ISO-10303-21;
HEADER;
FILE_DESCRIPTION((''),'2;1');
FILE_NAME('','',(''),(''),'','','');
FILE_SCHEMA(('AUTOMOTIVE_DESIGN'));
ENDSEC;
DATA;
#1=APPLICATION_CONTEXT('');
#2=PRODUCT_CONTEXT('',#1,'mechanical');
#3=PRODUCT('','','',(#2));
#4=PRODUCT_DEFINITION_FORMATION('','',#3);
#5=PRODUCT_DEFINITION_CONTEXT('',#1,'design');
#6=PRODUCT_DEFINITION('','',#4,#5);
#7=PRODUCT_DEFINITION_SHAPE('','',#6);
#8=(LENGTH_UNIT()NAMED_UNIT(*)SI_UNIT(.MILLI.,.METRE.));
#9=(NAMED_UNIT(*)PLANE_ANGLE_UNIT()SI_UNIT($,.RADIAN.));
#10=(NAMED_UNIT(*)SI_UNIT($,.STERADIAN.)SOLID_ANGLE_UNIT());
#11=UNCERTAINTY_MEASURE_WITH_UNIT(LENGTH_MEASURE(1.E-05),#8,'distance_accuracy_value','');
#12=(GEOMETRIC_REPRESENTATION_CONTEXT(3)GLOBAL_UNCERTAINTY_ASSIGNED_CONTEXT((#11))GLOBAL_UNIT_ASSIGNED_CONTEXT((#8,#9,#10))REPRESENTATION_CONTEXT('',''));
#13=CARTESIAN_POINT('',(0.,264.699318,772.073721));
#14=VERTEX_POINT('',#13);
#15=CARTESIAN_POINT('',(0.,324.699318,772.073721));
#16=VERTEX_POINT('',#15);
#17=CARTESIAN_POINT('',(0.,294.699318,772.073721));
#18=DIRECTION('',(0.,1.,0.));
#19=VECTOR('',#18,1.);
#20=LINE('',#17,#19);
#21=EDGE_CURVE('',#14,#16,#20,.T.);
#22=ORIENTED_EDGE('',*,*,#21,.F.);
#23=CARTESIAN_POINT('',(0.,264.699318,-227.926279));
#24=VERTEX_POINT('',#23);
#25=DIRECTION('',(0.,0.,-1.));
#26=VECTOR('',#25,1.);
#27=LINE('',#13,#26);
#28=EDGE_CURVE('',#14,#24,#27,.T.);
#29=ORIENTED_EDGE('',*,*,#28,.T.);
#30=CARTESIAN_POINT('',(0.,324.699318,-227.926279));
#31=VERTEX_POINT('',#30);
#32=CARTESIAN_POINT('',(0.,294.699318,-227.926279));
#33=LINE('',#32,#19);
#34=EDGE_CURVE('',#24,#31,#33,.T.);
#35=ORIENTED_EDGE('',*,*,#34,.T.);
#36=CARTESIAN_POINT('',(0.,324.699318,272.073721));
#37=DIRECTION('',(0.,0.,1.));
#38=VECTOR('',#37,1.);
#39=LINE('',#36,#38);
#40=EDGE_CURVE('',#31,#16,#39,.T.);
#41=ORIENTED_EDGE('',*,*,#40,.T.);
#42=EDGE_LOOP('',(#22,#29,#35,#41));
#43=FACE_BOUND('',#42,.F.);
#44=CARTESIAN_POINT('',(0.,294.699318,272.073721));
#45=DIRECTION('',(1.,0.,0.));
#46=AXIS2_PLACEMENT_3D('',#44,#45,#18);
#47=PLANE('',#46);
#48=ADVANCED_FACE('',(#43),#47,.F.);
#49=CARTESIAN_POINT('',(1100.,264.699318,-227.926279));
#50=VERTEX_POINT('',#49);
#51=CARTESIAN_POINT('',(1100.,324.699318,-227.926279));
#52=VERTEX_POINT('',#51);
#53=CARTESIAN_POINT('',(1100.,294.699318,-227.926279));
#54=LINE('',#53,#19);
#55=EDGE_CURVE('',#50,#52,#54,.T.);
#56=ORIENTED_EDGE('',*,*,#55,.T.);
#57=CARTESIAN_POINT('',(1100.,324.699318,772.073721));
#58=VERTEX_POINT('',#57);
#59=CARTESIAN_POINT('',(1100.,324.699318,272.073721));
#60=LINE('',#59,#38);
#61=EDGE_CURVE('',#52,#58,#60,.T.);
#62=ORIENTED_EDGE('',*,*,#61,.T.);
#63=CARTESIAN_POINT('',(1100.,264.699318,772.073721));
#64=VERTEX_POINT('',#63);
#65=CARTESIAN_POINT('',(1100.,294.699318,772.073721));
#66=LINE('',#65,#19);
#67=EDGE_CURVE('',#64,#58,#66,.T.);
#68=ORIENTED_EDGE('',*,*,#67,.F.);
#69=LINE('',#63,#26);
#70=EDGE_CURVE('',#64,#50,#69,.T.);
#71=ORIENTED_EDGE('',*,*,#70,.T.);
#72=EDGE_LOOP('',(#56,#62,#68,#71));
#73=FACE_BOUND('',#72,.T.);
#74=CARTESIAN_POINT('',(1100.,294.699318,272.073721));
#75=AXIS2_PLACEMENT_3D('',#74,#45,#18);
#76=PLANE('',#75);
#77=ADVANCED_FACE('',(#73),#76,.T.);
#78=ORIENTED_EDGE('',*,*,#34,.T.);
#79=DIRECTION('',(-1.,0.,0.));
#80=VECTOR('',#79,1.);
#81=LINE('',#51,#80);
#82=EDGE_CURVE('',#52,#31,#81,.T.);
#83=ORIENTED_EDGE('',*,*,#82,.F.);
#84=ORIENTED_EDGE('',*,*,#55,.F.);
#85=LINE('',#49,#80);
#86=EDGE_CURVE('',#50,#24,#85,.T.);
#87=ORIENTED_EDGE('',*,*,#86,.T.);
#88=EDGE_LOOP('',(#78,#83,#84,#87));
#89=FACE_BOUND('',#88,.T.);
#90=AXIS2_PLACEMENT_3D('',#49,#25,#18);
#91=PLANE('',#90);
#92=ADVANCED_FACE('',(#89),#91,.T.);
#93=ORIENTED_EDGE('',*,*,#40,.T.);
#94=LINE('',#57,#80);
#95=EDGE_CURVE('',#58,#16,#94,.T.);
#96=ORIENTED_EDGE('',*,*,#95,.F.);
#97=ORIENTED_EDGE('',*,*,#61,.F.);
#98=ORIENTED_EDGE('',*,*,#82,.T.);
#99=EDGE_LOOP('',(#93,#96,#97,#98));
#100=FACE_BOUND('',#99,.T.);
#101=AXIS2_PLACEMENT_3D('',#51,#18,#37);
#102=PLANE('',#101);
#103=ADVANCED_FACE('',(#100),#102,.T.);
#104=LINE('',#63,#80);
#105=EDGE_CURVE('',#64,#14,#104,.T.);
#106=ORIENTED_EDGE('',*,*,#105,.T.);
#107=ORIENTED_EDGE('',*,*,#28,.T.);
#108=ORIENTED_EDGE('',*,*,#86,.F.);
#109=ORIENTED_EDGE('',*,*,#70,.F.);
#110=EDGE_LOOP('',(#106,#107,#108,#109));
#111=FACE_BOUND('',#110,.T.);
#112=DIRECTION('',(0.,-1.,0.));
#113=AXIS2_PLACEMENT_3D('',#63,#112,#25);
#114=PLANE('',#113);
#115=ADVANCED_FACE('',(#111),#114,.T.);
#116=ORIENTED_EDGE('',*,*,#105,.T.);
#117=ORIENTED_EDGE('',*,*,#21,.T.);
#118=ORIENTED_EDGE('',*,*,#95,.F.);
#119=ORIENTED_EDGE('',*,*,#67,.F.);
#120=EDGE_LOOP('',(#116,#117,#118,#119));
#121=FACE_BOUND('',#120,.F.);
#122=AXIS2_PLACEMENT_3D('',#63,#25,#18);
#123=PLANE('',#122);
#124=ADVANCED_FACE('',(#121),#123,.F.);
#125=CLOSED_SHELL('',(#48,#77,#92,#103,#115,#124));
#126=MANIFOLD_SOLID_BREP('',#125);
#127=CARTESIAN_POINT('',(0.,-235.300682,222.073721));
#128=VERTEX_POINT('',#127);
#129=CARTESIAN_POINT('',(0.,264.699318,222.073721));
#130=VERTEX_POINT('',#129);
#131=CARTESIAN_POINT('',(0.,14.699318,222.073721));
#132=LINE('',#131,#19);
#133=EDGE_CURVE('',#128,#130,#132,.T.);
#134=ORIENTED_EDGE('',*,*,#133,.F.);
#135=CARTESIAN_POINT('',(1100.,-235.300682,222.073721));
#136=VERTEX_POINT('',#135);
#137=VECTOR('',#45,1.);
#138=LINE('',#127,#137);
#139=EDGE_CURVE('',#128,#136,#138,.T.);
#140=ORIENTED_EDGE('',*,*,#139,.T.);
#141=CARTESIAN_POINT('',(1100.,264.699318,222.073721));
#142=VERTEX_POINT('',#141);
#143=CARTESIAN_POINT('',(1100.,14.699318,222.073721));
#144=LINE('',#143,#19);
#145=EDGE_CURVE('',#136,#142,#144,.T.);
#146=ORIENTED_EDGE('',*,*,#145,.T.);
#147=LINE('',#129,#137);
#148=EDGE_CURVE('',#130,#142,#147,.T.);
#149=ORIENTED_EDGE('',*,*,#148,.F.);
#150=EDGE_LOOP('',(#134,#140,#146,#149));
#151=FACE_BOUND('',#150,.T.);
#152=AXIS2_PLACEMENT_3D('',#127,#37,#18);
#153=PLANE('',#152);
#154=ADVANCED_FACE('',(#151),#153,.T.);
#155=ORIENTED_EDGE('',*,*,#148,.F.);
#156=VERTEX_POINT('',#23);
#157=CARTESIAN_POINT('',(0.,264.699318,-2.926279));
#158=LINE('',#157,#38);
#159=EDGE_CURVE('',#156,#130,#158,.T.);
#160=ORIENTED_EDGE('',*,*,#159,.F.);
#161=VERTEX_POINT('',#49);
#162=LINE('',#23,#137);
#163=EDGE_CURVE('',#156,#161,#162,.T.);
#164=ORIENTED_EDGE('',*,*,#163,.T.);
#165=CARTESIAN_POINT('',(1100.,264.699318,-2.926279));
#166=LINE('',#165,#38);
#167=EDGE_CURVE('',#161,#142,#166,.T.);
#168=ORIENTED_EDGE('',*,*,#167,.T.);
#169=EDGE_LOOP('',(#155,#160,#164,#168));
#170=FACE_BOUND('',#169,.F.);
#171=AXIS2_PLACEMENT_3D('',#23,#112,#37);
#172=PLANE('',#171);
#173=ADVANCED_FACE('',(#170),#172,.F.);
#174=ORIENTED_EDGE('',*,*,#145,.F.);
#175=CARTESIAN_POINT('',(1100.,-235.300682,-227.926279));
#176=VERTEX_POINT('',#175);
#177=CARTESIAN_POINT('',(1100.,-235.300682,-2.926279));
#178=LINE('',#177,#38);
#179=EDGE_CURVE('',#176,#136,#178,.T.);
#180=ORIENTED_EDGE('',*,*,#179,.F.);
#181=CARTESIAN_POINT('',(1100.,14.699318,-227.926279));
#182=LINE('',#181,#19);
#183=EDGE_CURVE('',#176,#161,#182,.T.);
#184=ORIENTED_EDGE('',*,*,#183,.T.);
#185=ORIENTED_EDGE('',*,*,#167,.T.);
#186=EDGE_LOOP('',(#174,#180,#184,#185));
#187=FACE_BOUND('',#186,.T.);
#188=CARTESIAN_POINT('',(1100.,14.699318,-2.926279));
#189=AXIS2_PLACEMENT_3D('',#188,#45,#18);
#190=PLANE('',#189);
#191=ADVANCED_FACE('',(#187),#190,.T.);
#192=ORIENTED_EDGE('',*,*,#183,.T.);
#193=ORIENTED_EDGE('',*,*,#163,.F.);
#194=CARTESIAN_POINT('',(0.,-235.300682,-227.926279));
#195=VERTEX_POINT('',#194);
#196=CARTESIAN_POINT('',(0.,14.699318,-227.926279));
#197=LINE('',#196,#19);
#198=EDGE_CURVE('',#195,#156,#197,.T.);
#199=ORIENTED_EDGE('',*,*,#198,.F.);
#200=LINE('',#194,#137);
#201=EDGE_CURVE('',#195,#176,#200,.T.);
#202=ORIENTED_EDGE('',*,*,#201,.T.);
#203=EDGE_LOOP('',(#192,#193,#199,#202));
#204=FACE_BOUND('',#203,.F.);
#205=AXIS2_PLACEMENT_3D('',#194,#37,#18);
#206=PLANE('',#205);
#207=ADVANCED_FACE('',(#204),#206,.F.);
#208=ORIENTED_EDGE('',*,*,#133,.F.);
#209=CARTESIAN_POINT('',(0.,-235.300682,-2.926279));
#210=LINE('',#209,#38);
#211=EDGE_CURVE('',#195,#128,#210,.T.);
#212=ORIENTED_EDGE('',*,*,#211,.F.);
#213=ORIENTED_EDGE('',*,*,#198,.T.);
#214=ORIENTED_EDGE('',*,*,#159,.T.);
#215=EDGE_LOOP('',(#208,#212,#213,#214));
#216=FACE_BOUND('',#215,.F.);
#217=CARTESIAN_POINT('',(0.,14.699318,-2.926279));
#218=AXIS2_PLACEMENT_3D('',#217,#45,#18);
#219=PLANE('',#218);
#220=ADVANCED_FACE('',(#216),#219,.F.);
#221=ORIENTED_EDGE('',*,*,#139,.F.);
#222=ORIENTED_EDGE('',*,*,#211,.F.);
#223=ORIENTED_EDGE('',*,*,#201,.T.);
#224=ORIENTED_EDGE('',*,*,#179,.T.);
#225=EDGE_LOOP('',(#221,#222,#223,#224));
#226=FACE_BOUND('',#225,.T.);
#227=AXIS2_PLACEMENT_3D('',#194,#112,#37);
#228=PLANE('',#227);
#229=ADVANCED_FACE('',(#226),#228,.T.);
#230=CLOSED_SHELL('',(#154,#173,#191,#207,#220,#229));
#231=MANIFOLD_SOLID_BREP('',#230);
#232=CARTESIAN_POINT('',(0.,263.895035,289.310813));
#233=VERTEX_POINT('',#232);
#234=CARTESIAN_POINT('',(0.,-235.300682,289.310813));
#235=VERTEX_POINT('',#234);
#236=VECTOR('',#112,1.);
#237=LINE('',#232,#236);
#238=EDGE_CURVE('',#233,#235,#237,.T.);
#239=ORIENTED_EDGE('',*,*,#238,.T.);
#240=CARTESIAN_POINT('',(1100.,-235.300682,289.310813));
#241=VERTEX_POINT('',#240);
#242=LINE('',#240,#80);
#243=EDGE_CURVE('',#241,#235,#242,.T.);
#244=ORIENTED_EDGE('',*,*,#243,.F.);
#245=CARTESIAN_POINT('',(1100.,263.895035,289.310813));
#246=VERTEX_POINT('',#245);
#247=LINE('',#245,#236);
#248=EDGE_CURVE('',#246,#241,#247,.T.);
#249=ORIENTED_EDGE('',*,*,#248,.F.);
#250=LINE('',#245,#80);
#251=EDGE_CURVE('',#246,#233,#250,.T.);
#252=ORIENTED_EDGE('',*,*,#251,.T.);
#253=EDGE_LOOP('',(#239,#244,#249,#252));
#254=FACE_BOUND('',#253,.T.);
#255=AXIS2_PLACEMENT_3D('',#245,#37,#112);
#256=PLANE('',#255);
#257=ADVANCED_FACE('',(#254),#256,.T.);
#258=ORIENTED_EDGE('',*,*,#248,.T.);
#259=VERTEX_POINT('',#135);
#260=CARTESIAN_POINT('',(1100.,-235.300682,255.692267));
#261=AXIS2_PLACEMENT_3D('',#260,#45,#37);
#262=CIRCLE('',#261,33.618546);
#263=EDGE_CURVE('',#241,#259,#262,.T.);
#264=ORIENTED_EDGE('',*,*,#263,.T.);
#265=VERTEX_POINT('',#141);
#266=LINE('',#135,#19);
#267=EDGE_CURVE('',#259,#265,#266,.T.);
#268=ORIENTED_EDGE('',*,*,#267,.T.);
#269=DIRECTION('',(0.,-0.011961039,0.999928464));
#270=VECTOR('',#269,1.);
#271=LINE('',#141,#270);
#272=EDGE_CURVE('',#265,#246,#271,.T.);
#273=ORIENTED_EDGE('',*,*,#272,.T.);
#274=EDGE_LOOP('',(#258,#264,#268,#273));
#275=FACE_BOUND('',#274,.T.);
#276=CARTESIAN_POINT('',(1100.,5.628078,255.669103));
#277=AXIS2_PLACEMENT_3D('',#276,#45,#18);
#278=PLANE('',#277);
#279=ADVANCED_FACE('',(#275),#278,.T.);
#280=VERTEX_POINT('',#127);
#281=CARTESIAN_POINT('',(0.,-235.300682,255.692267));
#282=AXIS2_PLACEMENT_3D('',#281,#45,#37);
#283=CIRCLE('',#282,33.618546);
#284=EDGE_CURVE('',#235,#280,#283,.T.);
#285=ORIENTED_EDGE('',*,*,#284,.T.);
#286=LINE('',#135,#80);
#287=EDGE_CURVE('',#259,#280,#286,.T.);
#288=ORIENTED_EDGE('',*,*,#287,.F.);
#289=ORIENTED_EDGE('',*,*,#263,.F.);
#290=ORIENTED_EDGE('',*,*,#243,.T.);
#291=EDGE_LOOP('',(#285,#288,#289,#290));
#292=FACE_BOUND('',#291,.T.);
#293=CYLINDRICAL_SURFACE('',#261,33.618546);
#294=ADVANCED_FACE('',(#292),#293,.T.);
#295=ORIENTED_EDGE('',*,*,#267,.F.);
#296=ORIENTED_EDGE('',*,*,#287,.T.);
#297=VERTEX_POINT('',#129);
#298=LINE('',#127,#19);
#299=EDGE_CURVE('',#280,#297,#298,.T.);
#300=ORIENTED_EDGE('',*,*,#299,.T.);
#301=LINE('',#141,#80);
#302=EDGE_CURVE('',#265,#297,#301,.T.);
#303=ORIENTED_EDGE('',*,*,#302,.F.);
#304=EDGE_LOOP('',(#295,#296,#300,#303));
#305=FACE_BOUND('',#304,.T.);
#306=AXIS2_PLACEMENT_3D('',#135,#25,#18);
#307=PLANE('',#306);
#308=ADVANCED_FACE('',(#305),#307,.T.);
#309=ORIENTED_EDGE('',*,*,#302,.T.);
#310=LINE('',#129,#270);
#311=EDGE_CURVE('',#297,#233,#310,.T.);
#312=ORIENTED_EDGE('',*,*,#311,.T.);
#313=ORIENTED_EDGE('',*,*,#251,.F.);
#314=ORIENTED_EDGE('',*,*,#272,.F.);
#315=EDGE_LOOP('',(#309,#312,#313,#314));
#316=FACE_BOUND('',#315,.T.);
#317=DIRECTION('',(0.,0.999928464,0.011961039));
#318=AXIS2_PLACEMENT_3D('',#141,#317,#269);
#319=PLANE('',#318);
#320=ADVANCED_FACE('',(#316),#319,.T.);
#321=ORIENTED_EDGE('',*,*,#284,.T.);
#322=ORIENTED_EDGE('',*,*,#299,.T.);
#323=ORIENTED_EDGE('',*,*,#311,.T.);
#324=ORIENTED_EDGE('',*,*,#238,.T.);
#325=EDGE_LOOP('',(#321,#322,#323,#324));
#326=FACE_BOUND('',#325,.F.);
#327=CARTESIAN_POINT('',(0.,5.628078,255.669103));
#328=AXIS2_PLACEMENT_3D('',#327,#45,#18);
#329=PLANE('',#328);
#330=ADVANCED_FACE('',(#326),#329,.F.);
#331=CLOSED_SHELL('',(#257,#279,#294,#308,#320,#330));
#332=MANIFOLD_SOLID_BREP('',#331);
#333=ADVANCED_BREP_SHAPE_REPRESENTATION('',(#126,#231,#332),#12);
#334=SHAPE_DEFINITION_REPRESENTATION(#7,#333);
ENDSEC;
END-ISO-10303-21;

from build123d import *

# Parameters (mm, degrees)
F0_W     = 500
F0_H     = 450
F1_DEPTH = 1100
F3_DEPTH = 1100
F4_W     = 60
F4_H     = 1000
F5_DEPTH = 1100


with BuildPart() as f1:
    # F0 (on Right) → F1 (new body)
    with BuildSketch(Plane.YZ):
        with Locations((14.699318, -2.926279)):
            Rectangle(F0_W, F0_H)
    extrude(amount=F1_DEPTH)


with BuildPart() as f3:
    # F2 (on face) → F3 (new body)
    with BuildSketch(Plane.YZ.offset(1100)):
        with BuildLine():
            Line((263.895035, 289.310813), (-235.300682, 289.310813))
            ThreePointArc((-235.300682, 289.310813), (-268.919228, 255.692267), (-235.300682, 222.073721))
            Line((-235.300682, 222.073721), (264.699318, 222.073721))
            Line((264.699318, 222.073721), (263.895035, 289.310813))
        make_face()
    extrude(amount=-F3_DEPTH)


with BuildPart() as f5:
    # F4 (on face) → F5 (new body)
    with BuildSketch(Plane.YZ.offset(1100)):
        with Locations((294.699318, 272.073721)):
            Rectangle(F4_W, F4_H)
        Polygon((264.699318, 222.073721), (264.699318, -227.926279), (324.699318, -227.926279), (324.699318, 772.073721), (264.699318, 772.073721), align=None)
    extrude(amount=-F5_DEPTH)


solid = Compound([f1.part, f3.part, f5.part])
